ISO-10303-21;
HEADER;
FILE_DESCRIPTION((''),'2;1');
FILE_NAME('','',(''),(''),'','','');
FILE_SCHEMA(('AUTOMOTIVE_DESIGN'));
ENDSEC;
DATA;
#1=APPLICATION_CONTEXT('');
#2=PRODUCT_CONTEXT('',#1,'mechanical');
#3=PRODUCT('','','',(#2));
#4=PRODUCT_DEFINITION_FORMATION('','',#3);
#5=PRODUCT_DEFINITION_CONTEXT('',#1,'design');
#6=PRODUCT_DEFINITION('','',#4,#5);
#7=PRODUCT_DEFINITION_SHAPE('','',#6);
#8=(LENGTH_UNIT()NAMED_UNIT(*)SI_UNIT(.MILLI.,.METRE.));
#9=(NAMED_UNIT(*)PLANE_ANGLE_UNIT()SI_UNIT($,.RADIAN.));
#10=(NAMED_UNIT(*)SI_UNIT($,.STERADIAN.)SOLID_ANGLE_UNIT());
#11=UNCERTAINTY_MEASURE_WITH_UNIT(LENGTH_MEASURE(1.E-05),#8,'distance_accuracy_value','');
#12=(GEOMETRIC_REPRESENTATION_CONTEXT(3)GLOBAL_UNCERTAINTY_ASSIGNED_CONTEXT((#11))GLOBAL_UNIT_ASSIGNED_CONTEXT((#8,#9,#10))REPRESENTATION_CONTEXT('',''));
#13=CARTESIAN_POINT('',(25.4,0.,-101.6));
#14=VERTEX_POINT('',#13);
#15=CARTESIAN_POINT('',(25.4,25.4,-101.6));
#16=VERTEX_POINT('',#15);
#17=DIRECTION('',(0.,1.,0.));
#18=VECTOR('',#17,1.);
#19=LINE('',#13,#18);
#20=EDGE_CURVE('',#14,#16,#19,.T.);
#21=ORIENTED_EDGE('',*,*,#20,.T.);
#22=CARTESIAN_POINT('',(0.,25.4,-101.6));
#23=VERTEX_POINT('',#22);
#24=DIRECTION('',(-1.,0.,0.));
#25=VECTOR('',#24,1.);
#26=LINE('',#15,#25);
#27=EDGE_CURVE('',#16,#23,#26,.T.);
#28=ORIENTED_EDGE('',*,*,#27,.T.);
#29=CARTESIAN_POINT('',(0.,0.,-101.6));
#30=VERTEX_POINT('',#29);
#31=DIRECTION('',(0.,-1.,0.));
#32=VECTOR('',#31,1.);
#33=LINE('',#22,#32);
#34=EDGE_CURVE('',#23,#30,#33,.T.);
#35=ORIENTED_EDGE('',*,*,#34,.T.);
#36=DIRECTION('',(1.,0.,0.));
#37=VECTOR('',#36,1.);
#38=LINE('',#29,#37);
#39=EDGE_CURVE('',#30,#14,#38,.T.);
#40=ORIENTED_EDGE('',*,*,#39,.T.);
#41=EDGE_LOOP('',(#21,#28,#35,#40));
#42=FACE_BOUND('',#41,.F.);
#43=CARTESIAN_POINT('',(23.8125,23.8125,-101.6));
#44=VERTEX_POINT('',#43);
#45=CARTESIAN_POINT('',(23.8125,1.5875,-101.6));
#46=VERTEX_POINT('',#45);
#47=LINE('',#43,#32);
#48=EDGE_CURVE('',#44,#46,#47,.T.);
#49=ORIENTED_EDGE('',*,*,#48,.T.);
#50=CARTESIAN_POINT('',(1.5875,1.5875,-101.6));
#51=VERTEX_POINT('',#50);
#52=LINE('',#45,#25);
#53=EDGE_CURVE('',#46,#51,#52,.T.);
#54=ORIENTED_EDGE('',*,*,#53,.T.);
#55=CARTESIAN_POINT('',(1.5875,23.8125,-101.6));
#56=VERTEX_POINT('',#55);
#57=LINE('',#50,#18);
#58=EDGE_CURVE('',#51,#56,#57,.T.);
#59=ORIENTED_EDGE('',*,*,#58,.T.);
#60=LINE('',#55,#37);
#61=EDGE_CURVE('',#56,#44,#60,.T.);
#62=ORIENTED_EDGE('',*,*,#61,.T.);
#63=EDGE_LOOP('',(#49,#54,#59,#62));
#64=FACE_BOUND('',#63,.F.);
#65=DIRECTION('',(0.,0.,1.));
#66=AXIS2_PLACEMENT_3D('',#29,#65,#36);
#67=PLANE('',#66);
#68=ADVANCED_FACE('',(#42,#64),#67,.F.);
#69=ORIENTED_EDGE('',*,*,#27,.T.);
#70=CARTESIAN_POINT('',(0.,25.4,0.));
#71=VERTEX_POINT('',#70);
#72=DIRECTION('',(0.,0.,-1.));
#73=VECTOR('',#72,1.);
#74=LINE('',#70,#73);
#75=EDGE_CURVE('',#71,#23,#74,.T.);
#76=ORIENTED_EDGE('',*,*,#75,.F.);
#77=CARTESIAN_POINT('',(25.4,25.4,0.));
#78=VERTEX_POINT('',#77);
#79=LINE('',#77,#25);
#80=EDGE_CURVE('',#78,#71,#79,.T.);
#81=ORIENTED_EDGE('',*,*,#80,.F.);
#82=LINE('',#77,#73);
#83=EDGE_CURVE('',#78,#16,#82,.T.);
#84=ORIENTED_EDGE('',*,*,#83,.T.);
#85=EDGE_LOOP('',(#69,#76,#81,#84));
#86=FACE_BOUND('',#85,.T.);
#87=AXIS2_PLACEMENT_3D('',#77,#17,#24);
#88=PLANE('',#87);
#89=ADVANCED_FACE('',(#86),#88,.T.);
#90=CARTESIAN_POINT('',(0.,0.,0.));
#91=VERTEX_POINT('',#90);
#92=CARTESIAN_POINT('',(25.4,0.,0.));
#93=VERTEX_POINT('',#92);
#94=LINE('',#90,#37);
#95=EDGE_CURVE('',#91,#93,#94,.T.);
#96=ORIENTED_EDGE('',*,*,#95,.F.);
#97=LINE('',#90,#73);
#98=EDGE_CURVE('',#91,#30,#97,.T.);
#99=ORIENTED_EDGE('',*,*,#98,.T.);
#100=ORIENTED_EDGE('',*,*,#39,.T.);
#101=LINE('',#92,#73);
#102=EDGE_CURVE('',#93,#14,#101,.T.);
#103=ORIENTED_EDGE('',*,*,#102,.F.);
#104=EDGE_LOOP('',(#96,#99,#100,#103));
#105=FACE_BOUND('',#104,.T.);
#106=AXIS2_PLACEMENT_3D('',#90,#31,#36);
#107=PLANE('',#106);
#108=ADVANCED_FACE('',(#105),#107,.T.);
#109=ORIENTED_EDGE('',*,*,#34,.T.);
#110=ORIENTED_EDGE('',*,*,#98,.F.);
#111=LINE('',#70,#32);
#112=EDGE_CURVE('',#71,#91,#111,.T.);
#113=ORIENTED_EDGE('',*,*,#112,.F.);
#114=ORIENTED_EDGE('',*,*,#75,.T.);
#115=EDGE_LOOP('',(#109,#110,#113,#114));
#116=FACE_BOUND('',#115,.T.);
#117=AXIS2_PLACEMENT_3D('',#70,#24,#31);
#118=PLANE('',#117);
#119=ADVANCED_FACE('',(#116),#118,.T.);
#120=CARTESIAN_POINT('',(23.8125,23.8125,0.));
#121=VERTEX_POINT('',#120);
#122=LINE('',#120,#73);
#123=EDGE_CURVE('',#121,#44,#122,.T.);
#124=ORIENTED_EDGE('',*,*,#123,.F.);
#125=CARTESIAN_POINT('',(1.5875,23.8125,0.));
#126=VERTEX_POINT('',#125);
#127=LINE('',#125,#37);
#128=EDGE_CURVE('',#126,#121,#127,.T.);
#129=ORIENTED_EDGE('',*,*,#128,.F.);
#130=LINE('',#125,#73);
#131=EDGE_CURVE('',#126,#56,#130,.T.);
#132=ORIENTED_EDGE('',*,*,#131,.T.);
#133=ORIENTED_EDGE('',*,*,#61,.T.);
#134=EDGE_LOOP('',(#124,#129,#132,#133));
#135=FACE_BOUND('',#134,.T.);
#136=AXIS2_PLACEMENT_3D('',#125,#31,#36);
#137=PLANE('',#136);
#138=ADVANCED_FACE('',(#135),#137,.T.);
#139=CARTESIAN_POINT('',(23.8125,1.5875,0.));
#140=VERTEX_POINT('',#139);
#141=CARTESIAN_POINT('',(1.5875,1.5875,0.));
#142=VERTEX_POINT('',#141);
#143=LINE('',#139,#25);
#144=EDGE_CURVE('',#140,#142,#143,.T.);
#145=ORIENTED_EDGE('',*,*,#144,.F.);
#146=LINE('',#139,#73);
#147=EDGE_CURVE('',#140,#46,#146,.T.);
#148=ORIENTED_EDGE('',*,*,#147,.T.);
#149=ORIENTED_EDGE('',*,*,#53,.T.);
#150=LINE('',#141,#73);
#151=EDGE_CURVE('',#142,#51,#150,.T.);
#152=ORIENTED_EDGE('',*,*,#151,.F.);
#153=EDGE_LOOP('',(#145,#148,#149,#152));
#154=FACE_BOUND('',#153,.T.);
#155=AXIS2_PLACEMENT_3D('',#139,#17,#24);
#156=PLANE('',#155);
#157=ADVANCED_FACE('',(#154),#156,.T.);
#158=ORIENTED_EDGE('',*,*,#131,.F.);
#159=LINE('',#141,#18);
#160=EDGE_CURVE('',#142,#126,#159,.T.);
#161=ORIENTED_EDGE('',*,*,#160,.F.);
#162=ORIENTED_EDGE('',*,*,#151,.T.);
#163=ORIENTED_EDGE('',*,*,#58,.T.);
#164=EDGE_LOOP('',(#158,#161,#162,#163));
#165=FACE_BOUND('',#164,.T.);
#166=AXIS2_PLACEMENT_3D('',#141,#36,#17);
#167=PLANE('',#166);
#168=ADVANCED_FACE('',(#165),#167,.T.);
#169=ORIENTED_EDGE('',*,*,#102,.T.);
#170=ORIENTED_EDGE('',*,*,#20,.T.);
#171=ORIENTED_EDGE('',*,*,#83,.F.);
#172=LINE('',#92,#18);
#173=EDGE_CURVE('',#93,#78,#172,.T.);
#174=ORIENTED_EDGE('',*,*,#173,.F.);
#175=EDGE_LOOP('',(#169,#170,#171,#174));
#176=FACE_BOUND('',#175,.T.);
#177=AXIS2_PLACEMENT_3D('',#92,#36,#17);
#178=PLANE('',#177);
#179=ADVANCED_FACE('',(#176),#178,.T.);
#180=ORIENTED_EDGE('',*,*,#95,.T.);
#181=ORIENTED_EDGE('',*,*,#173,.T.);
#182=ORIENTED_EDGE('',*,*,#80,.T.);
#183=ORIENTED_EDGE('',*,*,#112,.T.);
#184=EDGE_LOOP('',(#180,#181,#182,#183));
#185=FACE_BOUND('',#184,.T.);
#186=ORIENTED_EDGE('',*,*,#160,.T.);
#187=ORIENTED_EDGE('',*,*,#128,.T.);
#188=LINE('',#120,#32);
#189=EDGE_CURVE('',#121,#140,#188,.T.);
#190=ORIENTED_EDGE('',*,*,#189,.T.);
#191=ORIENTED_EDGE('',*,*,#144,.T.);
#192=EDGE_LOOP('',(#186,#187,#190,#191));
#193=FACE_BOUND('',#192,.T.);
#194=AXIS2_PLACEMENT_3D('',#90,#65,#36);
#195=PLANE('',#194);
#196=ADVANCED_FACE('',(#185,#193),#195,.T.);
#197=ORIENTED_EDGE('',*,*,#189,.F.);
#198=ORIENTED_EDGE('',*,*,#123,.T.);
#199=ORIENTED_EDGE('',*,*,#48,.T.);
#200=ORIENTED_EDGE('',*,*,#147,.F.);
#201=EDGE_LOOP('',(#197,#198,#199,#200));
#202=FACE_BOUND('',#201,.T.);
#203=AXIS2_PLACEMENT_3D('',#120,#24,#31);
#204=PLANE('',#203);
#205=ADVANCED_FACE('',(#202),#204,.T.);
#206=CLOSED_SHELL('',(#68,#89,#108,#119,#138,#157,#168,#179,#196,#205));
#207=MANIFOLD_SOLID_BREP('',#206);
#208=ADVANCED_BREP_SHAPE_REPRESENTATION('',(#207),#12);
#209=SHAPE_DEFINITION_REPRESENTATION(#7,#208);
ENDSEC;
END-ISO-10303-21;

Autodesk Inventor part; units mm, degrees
ref_plane "YZ Plane" through (0, 0, 0) normal (1, 0, 0) x (0, 1, 0)
ref_plane "XZ Plane" through (0, 0, 0) normal (0, 1, 0) x (-1, 0, 0)
ref_plane "XY Plane" through (0, 0, 0) normal (0, 0, 1) x (1, 0, 0)
sketch "Sketch1" plane through (0, 0, 0) normal (0, 0, 1) x (1, 0, 0)
  line L0 (0, 0) -> (25.4, 0)
  line L1 (25.4, 0) -> (25.4, 25.4)
  line L2 (25.4, 25.4) -> (0, 25.4)
  line L3 (0, 25.4) -> (0, 0)
  line L4 (1.5875, 23.8125) -> (23.8125, 23.8125)
  line L5 (23.8125, 23.8125) -> (23.8125, 1.5875)
  line L6 (23.8125, 1.5875) -> (1.5875, 1.5875)
  line L7 (1.5875, 1.5875) -> (1.5875, 23.8125)
  dimension "d0" = 25.4
  dimension "d1" = 25.4
  dimension "d2" = 1.5875
extrude "Extrusion1" add sketch "Sketch1" against normal blind 101.6
properties part number "1tube_6_midlayer"
